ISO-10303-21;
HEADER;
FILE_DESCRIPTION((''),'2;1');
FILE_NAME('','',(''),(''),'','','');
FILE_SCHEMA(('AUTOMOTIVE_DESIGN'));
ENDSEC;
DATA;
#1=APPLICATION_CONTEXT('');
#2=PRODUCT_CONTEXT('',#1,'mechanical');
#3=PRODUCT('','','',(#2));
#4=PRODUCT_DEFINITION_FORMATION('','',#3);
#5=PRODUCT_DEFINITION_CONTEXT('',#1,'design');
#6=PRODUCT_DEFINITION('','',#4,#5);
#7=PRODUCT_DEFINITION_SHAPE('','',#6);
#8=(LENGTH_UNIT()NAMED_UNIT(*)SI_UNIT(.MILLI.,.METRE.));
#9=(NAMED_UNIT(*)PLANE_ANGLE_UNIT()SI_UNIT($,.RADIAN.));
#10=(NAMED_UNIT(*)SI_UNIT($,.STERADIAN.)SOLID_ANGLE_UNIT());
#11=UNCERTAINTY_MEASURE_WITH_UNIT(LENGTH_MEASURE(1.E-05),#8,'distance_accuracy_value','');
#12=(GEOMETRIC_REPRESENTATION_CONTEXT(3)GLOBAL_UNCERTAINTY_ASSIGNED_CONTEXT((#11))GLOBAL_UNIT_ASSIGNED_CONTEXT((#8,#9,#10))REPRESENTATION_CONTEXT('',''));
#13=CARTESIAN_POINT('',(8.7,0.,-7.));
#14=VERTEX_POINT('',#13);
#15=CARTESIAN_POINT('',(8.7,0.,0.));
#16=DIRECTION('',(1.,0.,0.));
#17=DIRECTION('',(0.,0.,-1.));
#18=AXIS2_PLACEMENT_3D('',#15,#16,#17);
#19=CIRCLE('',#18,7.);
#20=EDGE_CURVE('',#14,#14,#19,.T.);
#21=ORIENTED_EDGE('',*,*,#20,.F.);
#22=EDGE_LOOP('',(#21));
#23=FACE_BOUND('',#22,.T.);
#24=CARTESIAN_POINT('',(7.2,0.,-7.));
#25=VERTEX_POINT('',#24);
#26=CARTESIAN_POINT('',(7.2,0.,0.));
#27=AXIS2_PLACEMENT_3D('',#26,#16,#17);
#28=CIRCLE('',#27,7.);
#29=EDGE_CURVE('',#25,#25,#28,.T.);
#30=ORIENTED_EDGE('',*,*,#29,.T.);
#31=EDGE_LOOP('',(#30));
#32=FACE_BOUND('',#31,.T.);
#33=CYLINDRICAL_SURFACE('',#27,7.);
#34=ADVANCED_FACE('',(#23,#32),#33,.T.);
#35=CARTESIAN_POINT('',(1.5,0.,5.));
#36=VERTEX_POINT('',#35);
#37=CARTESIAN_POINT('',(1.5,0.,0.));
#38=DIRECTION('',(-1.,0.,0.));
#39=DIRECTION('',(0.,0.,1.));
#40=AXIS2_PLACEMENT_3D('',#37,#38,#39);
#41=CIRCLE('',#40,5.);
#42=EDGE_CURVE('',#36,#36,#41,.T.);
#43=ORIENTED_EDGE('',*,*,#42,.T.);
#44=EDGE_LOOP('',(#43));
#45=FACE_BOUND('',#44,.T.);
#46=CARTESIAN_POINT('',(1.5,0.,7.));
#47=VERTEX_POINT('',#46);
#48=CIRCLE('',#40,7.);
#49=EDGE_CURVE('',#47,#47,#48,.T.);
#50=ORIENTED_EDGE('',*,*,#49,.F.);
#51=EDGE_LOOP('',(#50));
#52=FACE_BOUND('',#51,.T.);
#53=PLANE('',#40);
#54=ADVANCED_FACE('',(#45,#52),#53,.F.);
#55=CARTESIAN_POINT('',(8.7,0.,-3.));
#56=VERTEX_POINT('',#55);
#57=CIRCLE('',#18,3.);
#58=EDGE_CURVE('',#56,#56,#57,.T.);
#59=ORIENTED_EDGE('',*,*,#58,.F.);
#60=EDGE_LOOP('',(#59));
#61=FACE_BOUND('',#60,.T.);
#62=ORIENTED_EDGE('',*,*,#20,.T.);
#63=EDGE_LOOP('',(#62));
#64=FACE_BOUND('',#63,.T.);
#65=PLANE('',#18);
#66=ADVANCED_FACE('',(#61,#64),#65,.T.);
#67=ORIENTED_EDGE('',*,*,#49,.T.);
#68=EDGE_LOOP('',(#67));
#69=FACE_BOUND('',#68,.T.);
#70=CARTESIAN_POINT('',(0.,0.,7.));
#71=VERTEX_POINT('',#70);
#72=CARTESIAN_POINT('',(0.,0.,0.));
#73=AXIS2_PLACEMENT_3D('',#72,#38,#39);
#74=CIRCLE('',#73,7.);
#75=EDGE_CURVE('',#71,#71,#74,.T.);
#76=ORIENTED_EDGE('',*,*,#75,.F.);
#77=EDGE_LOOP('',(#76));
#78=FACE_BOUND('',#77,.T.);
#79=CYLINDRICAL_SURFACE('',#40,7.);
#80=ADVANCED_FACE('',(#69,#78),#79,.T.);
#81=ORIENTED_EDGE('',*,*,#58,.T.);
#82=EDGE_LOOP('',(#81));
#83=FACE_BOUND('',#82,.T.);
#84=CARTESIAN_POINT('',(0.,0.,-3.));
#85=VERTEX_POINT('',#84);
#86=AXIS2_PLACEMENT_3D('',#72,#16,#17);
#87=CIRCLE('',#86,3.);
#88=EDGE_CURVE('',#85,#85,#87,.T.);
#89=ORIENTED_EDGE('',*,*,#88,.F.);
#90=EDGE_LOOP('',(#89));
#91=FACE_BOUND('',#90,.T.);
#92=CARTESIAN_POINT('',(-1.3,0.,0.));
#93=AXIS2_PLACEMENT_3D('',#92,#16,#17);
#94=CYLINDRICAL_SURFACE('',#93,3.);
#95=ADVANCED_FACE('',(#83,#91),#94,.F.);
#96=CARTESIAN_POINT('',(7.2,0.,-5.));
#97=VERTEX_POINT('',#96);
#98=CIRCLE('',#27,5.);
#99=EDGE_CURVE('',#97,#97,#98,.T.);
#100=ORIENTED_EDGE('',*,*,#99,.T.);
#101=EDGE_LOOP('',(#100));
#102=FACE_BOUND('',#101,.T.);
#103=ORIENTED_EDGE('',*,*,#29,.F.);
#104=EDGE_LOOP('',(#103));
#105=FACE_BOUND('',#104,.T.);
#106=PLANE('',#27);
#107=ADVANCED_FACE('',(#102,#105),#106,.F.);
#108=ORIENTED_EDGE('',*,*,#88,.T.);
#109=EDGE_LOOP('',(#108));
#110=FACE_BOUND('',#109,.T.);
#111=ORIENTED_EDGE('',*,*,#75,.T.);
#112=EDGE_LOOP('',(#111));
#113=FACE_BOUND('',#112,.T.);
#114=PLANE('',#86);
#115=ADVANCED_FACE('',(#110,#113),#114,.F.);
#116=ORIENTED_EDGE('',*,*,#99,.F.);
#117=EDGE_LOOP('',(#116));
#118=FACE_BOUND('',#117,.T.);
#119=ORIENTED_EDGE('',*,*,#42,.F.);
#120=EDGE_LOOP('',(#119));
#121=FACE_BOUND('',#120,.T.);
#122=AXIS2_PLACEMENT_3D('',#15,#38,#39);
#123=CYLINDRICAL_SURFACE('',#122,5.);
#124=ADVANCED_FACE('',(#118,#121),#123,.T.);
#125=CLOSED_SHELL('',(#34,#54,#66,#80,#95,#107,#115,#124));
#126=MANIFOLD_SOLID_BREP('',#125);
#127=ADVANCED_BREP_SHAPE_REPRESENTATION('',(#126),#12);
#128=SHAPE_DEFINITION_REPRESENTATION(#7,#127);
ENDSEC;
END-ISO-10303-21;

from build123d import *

# Parameters (mm, degrees)
SKETCH_1_R          = 5
EXTRUDE_1_DEPTH     = 8.7
SKETCH_2_R          = 7
EXTRUDE_2_DEPTH     = 1.5
EXTRUDE_START       = -1.5
SKETCH_3_R          = 7
EXTRUDE_3_DEPTH     = 1.5
SKETCH_4_R          = 3
CUT_EXTRUDE_1_DEPTH = 10


with BuildPart() as part:
    # 草图1 → 凸台-拉伸1 (new body)
    with BuildSketch(Plane(origin=(0, 0, 0), x_dir=(0, 0, -1), z_dir=(1, 0, 0))):
        Circle(SKETCH_1_R)
    extrude(amount=EXTRUDE_1_DEPTH)

    # 草图2 → 凸台-拉伸2 (add)
    with BuildSketch(Plane(origin=(8.7, 0, 0), x_dir=(0, 0, -1), z_dir=(1, 0, 0))):
        Circle(SKETCH_2_R)
    extrude(amount=-EXTRUDE_2_DEPTH)

    # 草图3 → 凸台-拉伸3 (add)
    with BuildSketch(Plane.ZY.offset(EXTRUDE_START)):
        with Locations(Location((0, 0, 0), (0, 0, 180))):
            Circle(SKETCH_3_R)
    extrude(amount=EXTRUDE_3_DEPTH)

    # 草图4 → 切除-拉伸1 (cut)
    with BuildSketch(Plane(origin=(8.7, 0, 0), x_dir=(0, 0, -1), z_dir=(1, 0, 0))):
        Circle(SKETCH_4_R)
    extrude(amount=-CUT_EXTRUDE_1_DEPTH, mode=Mode.SUBTRACT)


solid = part.part
